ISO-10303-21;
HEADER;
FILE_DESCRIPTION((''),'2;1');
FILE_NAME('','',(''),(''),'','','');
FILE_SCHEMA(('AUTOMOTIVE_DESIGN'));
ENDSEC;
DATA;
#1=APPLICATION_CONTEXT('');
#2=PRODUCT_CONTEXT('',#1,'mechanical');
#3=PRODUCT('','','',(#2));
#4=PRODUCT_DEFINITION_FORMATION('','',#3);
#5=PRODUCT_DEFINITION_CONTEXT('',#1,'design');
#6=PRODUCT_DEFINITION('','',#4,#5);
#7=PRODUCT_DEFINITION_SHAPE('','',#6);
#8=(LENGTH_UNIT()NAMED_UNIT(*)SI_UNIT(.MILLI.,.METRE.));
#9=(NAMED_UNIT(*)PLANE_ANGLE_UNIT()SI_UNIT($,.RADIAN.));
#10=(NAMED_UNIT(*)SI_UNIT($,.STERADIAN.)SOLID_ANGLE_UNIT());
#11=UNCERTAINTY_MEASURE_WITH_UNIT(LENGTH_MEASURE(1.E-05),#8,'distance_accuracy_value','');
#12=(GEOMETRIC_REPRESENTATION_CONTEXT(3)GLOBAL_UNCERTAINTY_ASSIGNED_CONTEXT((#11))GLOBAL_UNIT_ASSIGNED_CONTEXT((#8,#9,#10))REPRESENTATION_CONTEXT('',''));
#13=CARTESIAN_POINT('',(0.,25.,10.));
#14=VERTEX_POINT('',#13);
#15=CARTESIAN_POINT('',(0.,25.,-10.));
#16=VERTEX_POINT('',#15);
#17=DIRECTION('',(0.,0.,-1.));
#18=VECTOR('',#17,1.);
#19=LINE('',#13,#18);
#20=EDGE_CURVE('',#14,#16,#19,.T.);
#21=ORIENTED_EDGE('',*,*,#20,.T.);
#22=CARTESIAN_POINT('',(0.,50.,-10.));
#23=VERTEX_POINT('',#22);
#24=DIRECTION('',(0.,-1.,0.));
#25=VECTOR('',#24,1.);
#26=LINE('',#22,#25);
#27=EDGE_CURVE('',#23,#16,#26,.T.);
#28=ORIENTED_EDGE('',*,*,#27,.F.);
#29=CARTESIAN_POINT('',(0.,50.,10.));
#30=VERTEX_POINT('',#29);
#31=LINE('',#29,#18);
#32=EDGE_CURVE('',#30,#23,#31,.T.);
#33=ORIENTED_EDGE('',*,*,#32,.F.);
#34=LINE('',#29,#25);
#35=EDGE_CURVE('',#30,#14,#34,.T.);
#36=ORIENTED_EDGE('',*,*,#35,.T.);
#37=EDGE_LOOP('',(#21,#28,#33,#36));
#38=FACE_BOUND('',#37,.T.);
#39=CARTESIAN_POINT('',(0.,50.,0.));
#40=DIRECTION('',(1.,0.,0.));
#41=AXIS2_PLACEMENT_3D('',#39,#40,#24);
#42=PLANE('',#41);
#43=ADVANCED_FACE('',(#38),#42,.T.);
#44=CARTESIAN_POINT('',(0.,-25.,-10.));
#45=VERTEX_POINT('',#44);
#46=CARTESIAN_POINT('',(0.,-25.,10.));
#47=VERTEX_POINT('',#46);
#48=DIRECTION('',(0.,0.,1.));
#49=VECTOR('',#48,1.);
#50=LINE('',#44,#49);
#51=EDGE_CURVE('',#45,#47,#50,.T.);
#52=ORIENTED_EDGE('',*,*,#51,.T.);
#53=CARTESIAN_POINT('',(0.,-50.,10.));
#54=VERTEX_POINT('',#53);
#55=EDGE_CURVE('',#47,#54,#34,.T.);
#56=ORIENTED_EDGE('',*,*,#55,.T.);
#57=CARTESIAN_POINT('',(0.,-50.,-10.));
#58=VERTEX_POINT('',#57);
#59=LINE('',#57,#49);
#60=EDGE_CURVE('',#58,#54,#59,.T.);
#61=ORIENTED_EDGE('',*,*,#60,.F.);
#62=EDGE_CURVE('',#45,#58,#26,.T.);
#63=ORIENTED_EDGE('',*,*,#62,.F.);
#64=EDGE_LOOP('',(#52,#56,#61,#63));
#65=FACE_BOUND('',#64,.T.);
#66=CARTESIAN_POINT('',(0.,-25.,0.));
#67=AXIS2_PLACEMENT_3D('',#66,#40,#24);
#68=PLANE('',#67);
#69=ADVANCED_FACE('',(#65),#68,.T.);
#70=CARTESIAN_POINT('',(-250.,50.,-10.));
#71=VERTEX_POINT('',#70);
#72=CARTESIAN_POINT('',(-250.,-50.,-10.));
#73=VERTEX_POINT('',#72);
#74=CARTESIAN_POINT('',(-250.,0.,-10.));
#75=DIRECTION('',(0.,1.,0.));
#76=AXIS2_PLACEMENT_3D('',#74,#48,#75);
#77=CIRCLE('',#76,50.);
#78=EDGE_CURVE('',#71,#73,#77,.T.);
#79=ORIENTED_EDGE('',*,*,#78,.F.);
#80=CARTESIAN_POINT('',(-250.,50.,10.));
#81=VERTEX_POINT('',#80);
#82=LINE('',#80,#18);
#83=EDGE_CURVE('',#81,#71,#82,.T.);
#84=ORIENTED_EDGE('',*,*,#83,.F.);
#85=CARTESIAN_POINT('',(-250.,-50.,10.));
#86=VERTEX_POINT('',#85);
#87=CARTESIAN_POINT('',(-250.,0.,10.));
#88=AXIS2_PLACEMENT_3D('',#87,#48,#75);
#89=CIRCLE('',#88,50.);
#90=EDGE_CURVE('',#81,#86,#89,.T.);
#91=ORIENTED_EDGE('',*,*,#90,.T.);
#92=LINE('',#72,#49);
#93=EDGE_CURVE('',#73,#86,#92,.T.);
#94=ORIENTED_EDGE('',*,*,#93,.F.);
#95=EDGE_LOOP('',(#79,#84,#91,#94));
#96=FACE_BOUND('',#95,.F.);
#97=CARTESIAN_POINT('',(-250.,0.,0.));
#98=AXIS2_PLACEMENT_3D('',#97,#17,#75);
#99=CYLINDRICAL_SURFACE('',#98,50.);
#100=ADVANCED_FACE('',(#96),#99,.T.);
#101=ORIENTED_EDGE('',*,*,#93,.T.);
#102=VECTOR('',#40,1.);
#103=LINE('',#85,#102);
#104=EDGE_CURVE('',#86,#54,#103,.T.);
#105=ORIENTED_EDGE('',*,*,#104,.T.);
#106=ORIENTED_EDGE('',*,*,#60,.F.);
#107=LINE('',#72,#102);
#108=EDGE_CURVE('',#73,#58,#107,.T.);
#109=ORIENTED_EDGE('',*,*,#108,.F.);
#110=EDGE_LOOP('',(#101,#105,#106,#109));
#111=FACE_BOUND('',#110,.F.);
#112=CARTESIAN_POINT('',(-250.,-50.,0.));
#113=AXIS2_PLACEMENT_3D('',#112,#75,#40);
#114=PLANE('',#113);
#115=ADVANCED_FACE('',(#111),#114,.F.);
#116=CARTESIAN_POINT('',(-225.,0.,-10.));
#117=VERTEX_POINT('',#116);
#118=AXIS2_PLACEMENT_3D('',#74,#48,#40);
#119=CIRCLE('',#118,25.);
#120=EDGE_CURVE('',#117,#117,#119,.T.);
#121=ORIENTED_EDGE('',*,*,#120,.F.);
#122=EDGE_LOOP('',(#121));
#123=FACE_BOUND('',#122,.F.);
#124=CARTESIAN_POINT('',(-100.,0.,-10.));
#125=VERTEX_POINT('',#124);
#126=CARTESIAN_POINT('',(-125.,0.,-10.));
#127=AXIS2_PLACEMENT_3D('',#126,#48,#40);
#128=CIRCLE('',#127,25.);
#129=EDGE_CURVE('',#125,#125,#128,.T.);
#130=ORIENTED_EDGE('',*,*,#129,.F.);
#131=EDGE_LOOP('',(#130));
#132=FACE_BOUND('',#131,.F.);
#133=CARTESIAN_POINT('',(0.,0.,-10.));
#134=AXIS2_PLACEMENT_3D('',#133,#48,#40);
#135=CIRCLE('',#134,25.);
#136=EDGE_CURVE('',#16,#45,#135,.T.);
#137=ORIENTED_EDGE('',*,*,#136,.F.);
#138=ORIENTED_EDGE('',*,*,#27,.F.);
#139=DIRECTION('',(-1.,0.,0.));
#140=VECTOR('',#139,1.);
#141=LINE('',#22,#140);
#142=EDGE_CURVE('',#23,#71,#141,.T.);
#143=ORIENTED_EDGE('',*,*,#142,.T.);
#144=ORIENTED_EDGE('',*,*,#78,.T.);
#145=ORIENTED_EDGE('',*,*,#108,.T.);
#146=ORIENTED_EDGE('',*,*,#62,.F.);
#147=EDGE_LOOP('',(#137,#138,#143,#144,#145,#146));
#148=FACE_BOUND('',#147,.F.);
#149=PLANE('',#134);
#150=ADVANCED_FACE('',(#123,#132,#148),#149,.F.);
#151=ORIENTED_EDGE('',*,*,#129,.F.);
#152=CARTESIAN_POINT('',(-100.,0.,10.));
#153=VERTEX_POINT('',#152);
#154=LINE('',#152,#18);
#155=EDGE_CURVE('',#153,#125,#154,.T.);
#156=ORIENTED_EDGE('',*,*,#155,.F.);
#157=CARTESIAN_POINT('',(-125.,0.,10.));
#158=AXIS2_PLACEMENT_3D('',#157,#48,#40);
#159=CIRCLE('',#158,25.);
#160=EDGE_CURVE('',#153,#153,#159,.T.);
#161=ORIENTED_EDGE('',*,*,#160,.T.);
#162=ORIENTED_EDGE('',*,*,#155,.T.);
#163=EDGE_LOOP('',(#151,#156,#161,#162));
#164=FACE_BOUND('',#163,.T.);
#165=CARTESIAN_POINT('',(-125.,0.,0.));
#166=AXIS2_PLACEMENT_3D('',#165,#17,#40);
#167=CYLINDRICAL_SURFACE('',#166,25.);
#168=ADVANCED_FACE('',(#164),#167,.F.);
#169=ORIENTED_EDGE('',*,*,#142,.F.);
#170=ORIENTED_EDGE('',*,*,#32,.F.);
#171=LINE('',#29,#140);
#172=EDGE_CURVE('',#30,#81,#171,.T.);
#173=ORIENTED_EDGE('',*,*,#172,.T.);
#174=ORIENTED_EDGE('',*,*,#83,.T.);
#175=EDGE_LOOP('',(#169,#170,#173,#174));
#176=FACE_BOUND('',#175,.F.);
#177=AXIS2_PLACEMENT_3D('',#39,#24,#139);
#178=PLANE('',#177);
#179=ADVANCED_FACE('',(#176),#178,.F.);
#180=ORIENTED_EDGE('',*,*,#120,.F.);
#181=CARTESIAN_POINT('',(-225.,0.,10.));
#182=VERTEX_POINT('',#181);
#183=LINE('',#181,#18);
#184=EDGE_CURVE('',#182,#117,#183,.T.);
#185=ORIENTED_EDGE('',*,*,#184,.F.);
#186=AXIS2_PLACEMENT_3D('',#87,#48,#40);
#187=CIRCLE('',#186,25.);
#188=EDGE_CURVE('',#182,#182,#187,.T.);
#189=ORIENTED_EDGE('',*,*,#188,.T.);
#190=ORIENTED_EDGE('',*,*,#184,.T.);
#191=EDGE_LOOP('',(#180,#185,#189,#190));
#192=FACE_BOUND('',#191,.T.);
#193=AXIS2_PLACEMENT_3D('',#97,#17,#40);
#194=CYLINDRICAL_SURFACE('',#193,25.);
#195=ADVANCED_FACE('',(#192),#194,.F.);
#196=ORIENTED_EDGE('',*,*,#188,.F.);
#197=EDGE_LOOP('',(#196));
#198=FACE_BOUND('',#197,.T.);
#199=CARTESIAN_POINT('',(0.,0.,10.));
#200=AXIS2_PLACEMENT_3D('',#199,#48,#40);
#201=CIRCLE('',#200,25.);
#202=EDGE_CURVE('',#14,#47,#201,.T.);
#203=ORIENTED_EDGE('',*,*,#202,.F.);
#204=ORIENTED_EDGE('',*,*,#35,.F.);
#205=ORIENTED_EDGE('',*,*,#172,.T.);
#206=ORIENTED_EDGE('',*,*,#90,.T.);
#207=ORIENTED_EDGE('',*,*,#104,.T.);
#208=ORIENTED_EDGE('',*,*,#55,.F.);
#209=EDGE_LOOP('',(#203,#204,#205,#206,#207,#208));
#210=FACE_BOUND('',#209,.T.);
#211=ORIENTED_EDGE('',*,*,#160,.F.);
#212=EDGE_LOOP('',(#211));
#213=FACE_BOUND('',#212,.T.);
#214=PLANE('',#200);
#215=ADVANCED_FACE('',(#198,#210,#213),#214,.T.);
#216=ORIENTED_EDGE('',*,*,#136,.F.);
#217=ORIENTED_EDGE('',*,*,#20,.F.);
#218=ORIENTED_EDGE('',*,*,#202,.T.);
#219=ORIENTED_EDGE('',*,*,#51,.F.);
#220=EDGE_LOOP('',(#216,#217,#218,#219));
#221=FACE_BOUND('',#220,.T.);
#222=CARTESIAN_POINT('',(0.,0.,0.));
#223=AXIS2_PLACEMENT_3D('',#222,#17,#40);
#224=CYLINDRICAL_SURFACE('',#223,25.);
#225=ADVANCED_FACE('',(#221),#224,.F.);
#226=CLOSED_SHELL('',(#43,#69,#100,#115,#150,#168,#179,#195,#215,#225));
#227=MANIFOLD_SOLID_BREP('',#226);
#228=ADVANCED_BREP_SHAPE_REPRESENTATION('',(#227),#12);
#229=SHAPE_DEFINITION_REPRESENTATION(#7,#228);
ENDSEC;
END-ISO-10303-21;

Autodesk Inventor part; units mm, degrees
ref_plane "YZ Plane" through (0, 0, 0) normal (1, 0, 0) x (0, 1, 0)
ref_plane "XZ Plane" through (0, 0, 0) normal (0, 1, 0) x (-1, 0, 0)
ref_plane "XY Plane" through (0, 0, 0) normal (0, 0, 1) x (1, 0, 0)
sketch "Sketch1" plane through (0, 0, 0) normal (0, 0, 1) x (1, 0, 0)
  line L0 (-250, 0) -> (0, 0) construction
  line L1 (-250, -50) -> (0, -50)
  line L2 (0, 50) -> (-250, 50)
  arc A0 (-250, 50) -> (-250, -50) centre (-250, 0) ccw
  line L3 (0, 50) -> (0, -50)
  circle A1 centre (-250, 0) radius 25
  circle A2 centre (-125, 0) radius 25
  circle A3 centre (0, 0) radius 25
  point P0 (-125, 0)
  point P1 (0, -25)
  point P2 (0, 25)
  dimension "d2" = 250
  dimension "d3" = 50
  dimension "d4" = 50
  dimension "d6" = 125
  dimension "d7" = 125
extrude "Extrusion1" add sketch "Sketch1" along normal mid plane 20 contours A0 L2 L3 A3 L1
properties part number "CE-10.2.1.2" material "Aluminum 6061"
